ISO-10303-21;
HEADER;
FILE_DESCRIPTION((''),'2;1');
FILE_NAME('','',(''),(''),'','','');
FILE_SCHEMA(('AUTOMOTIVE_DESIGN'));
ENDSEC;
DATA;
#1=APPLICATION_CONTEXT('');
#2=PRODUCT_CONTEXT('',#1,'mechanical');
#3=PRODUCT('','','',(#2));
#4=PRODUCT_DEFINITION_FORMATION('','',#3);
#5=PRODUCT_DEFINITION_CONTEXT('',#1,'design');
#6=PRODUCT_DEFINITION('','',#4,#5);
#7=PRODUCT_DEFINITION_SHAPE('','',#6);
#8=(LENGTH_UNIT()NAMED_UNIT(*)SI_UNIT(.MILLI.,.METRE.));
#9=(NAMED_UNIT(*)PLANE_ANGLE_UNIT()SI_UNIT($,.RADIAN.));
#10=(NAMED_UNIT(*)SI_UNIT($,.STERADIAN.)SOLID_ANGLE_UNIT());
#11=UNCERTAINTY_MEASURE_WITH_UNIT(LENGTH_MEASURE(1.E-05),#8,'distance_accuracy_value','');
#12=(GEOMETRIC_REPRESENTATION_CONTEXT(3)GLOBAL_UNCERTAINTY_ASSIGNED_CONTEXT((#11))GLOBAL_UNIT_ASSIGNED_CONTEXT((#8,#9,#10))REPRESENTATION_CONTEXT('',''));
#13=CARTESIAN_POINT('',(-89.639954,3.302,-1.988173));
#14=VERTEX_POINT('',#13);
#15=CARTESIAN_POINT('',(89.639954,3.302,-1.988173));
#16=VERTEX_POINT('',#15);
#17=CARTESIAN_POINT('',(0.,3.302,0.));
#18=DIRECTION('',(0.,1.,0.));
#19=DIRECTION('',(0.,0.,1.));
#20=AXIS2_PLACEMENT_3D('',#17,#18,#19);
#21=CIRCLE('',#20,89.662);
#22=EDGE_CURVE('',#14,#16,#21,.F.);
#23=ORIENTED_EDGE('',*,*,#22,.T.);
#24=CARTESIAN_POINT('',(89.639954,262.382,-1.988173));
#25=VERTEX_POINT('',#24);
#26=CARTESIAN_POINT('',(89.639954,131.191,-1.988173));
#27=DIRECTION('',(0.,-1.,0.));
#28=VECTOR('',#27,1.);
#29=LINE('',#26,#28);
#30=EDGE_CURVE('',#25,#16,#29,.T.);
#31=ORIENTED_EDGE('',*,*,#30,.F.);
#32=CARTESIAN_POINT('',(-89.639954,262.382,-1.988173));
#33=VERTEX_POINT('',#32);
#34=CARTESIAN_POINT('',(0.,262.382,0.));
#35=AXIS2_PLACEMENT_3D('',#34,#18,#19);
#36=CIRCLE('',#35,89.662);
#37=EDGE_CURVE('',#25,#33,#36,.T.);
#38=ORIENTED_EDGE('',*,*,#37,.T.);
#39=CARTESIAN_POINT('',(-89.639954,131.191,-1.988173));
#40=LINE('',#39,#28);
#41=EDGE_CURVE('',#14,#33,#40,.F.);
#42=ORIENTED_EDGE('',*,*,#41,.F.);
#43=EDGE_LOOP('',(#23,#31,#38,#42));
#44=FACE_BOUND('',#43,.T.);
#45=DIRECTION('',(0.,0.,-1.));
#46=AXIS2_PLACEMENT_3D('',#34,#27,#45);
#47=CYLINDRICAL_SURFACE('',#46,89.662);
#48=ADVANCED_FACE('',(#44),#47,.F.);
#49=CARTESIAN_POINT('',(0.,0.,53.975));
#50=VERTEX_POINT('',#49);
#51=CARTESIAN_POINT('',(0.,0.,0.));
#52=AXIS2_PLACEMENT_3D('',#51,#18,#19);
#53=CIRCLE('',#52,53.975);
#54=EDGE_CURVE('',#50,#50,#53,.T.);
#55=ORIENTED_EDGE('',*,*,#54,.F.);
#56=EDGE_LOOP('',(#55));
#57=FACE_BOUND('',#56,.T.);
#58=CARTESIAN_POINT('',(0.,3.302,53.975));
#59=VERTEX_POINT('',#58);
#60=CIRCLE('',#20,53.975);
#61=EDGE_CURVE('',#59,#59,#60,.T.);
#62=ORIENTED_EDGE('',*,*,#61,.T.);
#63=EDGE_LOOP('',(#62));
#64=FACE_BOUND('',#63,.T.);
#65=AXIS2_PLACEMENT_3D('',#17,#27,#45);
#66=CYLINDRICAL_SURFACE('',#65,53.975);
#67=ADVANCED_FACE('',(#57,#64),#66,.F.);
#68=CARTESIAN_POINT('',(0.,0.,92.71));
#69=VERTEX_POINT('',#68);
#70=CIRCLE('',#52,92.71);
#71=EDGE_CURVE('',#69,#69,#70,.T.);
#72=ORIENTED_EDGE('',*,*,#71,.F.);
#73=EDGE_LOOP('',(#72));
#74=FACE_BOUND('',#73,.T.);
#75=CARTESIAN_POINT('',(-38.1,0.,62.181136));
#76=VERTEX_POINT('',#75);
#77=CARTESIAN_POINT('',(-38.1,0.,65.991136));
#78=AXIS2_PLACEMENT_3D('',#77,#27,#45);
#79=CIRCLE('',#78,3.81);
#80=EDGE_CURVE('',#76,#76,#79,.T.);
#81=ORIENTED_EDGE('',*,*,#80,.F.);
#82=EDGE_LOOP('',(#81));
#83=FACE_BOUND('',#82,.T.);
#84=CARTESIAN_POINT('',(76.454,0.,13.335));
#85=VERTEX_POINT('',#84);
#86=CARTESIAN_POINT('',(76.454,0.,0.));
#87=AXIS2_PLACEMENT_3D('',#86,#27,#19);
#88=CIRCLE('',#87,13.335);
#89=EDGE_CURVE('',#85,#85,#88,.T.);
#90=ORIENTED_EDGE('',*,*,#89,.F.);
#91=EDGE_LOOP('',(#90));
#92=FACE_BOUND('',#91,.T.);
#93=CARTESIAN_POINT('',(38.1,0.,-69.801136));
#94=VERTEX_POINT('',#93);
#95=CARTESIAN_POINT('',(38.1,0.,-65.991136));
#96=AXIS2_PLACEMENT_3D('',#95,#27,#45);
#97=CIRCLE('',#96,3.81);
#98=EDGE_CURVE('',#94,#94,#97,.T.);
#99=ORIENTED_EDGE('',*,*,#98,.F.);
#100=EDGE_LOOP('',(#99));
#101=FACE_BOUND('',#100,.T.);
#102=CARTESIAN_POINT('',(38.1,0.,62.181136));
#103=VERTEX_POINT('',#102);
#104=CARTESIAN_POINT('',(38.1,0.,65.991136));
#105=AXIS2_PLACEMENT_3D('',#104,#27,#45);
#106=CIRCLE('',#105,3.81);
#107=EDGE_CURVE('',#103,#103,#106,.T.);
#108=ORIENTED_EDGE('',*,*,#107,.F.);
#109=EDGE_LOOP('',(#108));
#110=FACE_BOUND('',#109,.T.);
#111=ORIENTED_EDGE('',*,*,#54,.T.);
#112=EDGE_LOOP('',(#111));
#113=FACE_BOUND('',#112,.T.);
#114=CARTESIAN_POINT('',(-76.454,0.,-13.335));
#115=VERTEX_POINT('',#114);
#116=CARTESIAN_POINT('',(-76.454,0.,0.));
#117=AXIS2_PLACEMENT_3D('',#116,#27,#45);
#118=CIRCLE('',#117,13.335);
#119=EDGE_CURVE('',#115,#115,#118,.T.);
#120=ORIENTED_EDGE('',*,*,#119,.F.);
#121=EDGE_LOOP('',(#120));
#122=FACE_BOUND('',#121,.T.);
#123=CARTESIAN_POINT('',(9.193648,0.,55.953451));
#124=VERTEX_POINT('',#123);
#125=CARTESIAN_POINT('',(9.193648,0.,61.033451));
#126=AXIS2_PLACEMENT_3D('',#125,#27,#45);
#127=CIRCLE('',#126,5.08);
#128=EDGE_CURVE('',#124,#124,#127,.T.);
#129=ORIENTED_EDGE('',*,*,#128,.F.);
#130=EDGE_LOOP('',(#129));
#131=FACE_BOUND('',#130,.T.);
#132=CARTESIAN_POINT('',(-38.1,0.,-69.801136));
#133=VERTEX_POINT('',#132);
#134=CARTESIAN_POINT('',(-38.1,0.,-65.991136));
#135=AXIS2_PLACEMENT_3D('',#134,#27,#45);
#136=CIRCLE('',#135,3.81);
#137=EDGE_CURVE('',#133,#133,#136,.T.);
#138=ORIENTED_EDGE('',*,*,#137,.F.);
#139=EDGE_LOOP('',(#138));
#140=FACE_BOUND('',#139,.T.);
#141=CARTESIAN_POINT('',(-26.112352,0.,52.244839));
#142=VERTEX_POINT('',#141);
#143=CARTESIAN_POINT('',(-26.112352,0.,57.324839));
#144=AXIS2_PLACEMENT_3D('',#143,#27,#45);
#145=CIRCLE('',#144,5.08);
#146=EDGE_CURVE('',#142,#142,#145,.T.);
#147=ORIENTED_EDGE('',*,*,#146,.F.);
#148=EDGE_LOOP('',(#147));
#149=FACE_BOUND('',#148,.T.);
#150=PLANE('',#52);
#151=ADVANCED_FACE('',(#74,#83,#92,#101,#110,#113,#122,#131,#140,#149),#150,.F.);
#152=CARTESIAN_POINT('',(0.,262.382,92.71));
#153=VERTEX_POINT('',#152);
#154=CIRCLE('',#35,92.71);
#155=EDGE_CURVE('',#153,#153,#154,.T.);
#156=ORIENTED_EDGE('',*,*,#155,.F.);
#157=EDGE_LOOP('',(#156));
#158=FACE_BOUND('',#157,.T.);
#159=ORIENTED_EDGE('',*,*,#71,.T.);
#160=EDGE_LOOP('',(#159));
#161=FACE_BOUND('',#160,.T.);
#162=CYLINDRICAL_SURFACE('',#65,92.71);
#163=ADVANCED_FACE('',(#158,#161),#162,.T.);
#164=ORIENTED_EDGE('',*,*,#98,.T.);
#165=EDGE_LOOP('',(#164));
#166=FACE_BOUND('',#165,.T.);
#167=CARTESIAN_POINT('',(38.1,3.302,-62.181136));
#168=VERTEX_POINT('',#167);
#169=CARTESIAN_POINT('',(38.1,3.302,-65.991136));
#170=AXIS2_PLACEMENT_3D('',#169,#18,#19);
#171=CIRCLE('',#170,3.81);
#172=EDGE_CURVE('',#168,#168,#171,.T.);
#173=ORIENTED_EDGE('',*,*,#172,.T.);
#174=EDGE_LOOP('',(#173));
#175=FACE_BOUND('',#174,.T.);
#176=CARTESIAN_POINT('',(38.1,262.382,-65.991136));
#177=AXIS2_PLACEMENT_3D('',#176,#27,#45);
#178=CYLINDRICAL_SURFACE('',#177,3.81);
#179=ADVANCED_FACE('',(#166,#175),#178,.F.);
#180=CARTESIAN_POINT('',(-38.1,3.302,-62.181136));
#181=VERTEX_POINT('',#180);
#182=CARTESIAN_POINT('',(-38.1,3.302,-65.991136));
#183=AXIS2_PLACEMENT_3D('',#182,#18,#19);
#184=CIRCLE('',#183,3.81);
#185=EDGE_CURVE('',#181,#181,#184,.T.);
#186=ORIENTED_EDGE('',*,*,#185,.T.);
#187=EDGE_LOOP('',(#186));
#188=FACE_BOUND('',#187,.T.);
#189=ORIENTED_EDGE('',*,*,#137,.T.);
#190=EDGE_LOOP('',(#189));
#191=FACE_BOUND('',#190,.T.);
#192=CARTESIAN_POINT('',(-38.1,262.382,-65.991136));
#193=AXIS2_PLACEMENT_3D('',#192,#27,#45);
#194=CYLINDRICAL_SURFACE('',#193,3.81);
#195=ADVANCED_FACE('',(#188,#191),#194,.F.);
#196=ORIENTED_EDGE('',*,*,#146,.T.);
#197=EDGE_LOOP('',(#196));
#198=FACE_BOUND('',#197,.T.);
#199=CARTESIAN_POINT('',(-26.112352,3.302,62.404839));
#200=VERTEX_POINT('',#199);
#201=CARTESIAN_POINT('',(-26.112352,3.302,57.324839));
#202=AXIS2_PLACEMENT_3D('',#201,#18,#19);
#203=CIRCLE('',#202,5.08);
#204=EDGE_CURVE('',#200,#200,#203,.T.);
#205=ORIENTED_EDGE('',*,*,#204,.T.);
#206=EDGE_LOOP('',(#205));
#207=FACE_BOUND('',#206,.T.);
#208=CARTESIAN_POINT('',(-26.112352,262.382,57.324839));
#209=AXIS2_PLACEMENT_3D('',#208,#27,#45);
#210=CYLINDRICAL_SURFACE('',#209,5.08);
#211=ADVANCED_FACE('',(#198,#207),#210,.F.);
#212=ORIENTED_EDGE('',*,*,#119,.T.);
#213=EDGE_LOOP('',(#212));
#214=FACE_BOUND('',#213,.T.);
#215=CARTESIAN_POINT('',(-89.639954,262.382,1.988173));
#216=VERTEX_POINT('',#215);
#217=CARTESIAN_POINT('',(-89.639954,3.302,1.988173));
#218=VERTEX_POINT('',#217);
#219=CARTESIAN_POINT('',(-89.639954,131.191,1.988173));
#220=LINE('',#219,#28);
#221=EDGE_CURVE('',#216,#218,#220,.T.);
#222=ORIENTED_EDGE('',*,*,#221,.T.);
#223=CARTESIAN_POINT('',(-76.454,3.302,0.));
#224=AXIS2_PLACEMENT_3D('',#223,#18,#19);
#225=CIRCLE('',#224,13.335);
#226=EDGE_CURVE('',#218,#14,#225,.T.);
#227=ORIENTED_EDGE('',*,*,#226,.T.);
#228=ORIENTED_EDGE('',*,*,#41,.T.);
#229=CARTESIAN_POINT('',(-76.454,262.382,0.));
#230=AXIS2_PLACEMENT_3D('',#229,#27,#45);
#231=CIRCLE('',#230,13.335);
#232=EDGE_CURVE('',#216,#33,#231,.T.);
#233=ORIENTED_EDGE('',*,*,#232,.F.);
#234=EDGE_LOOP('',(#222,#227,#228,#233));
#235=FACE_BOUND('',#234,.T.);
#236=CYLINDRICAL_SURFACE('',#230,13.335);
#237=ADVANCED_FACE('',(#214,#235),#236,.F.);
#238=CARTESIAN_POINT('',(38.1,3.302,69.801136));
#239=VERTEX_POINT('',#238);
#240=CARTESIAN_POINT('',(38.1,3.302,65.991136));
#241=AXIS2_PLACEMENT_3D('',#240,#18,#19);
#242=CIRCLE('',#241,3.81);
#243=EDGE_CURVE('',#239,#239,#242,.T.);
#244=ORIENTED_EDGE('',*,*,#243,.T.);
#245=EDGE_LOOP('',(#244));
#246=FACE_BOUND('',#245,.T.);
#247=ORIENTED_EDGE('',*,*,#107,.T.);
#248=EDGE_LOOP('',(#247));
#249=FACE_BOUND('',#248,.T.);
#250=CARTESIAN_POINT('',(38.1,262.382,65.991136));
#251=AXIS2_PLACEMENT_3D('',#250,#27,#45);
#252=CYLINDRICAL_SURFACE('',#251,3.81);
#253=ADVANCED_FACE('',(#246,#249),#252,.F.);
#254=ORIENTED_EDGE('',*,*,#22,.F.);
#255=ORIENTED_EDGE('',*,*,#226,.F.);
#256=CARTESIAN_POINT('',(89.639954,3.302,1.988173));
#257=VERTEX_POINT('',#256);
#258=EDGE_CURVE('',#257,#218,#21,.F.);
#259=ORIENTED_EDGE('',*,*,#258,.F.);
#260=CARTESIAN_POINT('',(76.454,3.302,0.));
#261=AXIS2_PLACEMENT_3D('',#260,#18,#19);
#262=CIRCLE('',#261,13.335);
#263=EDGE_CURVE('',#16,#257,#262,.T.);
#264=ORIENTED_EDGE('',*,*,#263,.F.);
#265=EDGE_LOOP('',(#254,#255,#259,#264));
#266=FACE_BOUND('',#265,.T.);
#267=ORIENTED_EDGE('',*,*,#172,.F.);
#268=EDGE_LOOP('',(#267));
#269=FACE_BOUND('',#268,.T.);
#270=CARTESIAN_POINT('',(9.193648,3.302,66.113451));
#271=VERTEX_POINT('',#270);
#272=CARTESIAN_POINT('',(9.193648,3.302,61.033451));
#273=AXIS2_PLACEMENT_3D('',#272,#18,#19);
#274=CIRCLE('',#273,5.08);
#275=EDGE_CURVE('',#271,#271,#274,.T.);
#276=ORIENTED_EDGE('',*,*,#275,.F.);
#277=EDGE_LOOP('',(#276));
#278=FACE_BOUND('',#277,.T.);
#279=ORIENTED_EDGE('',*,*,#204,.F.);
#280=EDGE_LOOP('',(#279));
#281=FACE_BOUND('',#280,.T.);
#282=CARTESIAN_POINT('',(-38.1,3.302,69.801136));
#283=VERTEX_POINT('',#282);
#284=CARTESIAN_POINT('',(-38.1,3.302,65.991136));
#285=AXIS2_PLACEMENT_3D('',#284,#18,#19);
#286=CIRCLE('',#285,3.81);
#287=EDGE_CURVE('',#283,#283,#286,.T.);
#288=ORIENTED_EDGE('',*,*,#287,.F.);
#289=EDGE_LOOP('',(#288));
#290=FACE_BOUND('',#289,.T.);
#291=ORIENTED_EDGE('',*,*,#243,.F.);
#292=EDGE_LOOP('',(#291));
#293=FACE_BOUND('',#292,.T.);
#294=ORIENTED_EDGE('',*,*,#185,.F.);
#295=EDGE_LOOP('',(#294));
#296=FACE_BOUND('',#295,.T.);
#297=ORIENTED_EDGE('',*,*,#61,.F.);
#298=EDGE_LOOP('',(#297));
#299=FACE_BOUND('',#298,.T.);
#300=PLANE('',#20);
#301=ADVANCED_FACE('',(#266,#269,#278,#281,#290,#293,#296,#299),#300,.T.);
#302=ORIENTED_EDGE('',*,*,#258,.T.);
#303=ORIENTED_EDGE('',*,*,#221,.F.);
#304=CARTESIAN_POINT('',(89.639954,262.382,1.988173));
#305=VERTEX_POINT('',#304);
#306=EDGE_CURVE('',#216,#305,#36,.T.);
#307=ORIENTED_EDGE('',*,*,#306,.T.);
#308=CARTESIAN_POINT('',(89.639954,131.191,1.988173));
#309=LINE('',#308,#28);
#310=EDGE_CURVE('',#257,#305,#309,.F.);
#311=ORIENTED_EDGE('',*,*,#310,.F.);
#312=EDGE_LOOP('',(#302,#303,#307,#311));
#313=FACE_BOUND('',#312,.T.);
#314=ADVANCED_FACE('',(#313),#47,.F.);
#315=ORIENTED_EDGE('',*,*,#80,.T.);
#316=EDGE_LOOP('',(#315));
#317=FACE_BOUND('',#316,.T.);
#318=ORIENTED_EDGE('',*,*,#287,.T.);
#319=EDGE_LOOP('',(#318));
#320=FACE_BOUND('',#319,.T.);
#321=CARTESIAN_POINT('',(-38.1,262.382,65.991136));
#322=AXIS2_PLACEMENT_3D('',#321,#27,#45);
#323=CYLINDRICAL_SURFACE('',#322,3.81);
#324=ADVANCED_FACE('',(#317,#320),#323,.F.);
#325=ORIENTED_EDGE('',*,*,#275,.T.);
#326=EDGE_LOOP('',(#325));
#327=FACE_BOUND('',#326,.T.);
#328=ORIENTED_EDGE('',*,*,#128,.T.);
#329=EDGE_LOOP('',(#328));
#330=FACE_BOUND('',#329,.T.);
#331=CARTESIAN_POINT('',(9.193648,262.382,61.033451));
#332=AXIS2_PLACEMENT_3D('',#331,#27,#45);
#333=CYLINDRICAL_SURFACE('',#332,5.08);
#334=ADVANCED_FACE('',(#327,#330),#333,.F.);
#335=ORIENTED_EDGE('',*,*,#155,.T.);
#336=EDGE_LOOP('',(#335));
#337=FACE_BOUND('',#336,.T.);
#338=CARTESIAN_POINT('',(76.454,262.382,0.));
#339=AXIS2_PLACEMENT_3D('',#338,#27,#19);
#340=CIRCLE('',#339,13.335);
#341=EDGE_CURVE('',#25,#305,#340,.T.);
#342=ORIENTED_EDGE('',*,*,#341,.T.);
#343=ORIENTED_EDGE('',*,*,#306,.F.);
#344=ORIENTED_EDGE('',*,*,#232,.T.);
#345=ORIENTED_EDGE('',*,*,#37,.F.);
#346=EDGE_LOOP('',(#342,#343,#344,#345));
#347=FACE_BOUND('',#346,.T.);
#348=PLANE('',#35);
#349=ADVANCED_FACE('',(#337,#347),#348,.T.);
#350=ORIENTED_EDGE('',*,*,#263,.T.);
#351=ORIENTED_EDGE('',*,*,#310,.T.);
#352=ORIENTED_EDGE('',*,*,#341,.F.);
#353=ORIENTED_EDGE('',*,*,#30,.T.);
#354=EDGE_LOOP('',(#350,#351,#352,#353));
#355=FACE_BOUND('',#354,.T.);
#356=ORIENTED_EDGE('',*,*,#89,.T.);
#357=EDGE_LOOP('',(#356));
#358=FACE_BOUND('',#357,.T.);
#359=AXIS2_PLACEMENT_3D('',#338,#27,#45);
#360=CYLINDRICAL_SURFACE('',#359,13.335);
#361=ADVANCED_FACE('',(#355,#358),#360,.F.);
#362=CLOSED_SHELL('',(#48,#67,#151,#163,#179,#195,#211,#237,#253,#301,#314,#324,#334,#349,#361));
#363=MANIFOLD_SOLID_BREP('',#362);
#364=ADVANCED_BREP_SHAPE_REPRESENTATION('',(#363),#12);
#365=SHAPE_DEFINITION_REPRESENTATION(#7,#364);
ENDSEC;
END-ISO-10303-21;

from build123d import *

# Parameters (mm, degrees)
SKETCH1_R               = 92.71
SKETCH1_R_2             = 53.975
TOP_OF_HATCH_DEPTH      = 3.302
SKETCH2_R               = 92.71
SKETCH2_R_2             = 89.662
HATCH_BODY_DEPTH        = 259.08
SKETCH3_R               = 13.335
CHARGE_TUBE_HOLES_DEPTH = 263.382
SKETCH4_R               = 3.81
BOLT_HOLES_DEPTH        = 263.382
SKETCH_5_R              = 5.08
ANTENNA_HOLES_DEPTH     = 263.382


with BuildPart() as part:
    # Sketch1 → Top of Hatch (new body)
    with BuildSketch(Plane(origin=(0, 0, 0), x_dir=(1, 0, 0), z_dir=(0, 1, 0))):
        Circle(SKETCH1_R)
        Circle(SKETCH1_R_2, mode=Mode.SUBTRACT)
    extrude(amount=TOP_OF_HATCH_DEPTH)

    # Sketch2 → Hatch Body (add)
    with BuildSketch(Plane(origin=(0, 3.302, 0), x_dir=(1, 0, 0), z_dir=(0, 1, 0))):
        Circle(SKETCH2_R)
        Circle(SKETCH2_R_2, mode=Mode.SUBTRACT)
    extrude(amount=HATCH_BODY_DEPTH)

    # Sketch3 → Charge Tube Holes (cut, through all)
    with BuildSketch(Plane.XZ):
        with Locations((-76.454, 0)):
            Circle(SKETCH3_R)
        with Locations((76.454, 0)):
            Circle(SKETCH3_R)
    extrude(amount=-CHARGE_TUBE_HOLES_DEPTH, mode=Mode.SUBTRACT)

    # Sketch4 → Bolt Holes (cut, through all)
    with BuildSketch(Plane.XZ):
        with Locations((38.1, 65.991135768)):
            Circle(SKETCH4_R)
        with Locations((-38.1, 65.991135768)):
            Circle(SKETCH4_R)
        with Locations((-38.1, -65.991135768)):
            Circle(SKETCH4_R)
        with Locations((38.1, -65.991135768)):
            Circle(SKETCH4_R)
    extrude(amount=-BOLT_HOLES_DEPTH, mode=Mode.SUBTRACT)

    # Sketch 5 → Antenna Holes (cut, through all)
    with BuildSketch(Plane.XZ):
        with Locations((-26.112352144, 57.324838678)):
            Circle(SKETCH_5_R)
        with Locations((9.193647856, 61.033450854)):
            Circle(SKETCH_5_R)
    extrude(amount=-ANTENNA_HOLES_DEPTH, mode=Mode.SUBTRACT)


solid = part.part
